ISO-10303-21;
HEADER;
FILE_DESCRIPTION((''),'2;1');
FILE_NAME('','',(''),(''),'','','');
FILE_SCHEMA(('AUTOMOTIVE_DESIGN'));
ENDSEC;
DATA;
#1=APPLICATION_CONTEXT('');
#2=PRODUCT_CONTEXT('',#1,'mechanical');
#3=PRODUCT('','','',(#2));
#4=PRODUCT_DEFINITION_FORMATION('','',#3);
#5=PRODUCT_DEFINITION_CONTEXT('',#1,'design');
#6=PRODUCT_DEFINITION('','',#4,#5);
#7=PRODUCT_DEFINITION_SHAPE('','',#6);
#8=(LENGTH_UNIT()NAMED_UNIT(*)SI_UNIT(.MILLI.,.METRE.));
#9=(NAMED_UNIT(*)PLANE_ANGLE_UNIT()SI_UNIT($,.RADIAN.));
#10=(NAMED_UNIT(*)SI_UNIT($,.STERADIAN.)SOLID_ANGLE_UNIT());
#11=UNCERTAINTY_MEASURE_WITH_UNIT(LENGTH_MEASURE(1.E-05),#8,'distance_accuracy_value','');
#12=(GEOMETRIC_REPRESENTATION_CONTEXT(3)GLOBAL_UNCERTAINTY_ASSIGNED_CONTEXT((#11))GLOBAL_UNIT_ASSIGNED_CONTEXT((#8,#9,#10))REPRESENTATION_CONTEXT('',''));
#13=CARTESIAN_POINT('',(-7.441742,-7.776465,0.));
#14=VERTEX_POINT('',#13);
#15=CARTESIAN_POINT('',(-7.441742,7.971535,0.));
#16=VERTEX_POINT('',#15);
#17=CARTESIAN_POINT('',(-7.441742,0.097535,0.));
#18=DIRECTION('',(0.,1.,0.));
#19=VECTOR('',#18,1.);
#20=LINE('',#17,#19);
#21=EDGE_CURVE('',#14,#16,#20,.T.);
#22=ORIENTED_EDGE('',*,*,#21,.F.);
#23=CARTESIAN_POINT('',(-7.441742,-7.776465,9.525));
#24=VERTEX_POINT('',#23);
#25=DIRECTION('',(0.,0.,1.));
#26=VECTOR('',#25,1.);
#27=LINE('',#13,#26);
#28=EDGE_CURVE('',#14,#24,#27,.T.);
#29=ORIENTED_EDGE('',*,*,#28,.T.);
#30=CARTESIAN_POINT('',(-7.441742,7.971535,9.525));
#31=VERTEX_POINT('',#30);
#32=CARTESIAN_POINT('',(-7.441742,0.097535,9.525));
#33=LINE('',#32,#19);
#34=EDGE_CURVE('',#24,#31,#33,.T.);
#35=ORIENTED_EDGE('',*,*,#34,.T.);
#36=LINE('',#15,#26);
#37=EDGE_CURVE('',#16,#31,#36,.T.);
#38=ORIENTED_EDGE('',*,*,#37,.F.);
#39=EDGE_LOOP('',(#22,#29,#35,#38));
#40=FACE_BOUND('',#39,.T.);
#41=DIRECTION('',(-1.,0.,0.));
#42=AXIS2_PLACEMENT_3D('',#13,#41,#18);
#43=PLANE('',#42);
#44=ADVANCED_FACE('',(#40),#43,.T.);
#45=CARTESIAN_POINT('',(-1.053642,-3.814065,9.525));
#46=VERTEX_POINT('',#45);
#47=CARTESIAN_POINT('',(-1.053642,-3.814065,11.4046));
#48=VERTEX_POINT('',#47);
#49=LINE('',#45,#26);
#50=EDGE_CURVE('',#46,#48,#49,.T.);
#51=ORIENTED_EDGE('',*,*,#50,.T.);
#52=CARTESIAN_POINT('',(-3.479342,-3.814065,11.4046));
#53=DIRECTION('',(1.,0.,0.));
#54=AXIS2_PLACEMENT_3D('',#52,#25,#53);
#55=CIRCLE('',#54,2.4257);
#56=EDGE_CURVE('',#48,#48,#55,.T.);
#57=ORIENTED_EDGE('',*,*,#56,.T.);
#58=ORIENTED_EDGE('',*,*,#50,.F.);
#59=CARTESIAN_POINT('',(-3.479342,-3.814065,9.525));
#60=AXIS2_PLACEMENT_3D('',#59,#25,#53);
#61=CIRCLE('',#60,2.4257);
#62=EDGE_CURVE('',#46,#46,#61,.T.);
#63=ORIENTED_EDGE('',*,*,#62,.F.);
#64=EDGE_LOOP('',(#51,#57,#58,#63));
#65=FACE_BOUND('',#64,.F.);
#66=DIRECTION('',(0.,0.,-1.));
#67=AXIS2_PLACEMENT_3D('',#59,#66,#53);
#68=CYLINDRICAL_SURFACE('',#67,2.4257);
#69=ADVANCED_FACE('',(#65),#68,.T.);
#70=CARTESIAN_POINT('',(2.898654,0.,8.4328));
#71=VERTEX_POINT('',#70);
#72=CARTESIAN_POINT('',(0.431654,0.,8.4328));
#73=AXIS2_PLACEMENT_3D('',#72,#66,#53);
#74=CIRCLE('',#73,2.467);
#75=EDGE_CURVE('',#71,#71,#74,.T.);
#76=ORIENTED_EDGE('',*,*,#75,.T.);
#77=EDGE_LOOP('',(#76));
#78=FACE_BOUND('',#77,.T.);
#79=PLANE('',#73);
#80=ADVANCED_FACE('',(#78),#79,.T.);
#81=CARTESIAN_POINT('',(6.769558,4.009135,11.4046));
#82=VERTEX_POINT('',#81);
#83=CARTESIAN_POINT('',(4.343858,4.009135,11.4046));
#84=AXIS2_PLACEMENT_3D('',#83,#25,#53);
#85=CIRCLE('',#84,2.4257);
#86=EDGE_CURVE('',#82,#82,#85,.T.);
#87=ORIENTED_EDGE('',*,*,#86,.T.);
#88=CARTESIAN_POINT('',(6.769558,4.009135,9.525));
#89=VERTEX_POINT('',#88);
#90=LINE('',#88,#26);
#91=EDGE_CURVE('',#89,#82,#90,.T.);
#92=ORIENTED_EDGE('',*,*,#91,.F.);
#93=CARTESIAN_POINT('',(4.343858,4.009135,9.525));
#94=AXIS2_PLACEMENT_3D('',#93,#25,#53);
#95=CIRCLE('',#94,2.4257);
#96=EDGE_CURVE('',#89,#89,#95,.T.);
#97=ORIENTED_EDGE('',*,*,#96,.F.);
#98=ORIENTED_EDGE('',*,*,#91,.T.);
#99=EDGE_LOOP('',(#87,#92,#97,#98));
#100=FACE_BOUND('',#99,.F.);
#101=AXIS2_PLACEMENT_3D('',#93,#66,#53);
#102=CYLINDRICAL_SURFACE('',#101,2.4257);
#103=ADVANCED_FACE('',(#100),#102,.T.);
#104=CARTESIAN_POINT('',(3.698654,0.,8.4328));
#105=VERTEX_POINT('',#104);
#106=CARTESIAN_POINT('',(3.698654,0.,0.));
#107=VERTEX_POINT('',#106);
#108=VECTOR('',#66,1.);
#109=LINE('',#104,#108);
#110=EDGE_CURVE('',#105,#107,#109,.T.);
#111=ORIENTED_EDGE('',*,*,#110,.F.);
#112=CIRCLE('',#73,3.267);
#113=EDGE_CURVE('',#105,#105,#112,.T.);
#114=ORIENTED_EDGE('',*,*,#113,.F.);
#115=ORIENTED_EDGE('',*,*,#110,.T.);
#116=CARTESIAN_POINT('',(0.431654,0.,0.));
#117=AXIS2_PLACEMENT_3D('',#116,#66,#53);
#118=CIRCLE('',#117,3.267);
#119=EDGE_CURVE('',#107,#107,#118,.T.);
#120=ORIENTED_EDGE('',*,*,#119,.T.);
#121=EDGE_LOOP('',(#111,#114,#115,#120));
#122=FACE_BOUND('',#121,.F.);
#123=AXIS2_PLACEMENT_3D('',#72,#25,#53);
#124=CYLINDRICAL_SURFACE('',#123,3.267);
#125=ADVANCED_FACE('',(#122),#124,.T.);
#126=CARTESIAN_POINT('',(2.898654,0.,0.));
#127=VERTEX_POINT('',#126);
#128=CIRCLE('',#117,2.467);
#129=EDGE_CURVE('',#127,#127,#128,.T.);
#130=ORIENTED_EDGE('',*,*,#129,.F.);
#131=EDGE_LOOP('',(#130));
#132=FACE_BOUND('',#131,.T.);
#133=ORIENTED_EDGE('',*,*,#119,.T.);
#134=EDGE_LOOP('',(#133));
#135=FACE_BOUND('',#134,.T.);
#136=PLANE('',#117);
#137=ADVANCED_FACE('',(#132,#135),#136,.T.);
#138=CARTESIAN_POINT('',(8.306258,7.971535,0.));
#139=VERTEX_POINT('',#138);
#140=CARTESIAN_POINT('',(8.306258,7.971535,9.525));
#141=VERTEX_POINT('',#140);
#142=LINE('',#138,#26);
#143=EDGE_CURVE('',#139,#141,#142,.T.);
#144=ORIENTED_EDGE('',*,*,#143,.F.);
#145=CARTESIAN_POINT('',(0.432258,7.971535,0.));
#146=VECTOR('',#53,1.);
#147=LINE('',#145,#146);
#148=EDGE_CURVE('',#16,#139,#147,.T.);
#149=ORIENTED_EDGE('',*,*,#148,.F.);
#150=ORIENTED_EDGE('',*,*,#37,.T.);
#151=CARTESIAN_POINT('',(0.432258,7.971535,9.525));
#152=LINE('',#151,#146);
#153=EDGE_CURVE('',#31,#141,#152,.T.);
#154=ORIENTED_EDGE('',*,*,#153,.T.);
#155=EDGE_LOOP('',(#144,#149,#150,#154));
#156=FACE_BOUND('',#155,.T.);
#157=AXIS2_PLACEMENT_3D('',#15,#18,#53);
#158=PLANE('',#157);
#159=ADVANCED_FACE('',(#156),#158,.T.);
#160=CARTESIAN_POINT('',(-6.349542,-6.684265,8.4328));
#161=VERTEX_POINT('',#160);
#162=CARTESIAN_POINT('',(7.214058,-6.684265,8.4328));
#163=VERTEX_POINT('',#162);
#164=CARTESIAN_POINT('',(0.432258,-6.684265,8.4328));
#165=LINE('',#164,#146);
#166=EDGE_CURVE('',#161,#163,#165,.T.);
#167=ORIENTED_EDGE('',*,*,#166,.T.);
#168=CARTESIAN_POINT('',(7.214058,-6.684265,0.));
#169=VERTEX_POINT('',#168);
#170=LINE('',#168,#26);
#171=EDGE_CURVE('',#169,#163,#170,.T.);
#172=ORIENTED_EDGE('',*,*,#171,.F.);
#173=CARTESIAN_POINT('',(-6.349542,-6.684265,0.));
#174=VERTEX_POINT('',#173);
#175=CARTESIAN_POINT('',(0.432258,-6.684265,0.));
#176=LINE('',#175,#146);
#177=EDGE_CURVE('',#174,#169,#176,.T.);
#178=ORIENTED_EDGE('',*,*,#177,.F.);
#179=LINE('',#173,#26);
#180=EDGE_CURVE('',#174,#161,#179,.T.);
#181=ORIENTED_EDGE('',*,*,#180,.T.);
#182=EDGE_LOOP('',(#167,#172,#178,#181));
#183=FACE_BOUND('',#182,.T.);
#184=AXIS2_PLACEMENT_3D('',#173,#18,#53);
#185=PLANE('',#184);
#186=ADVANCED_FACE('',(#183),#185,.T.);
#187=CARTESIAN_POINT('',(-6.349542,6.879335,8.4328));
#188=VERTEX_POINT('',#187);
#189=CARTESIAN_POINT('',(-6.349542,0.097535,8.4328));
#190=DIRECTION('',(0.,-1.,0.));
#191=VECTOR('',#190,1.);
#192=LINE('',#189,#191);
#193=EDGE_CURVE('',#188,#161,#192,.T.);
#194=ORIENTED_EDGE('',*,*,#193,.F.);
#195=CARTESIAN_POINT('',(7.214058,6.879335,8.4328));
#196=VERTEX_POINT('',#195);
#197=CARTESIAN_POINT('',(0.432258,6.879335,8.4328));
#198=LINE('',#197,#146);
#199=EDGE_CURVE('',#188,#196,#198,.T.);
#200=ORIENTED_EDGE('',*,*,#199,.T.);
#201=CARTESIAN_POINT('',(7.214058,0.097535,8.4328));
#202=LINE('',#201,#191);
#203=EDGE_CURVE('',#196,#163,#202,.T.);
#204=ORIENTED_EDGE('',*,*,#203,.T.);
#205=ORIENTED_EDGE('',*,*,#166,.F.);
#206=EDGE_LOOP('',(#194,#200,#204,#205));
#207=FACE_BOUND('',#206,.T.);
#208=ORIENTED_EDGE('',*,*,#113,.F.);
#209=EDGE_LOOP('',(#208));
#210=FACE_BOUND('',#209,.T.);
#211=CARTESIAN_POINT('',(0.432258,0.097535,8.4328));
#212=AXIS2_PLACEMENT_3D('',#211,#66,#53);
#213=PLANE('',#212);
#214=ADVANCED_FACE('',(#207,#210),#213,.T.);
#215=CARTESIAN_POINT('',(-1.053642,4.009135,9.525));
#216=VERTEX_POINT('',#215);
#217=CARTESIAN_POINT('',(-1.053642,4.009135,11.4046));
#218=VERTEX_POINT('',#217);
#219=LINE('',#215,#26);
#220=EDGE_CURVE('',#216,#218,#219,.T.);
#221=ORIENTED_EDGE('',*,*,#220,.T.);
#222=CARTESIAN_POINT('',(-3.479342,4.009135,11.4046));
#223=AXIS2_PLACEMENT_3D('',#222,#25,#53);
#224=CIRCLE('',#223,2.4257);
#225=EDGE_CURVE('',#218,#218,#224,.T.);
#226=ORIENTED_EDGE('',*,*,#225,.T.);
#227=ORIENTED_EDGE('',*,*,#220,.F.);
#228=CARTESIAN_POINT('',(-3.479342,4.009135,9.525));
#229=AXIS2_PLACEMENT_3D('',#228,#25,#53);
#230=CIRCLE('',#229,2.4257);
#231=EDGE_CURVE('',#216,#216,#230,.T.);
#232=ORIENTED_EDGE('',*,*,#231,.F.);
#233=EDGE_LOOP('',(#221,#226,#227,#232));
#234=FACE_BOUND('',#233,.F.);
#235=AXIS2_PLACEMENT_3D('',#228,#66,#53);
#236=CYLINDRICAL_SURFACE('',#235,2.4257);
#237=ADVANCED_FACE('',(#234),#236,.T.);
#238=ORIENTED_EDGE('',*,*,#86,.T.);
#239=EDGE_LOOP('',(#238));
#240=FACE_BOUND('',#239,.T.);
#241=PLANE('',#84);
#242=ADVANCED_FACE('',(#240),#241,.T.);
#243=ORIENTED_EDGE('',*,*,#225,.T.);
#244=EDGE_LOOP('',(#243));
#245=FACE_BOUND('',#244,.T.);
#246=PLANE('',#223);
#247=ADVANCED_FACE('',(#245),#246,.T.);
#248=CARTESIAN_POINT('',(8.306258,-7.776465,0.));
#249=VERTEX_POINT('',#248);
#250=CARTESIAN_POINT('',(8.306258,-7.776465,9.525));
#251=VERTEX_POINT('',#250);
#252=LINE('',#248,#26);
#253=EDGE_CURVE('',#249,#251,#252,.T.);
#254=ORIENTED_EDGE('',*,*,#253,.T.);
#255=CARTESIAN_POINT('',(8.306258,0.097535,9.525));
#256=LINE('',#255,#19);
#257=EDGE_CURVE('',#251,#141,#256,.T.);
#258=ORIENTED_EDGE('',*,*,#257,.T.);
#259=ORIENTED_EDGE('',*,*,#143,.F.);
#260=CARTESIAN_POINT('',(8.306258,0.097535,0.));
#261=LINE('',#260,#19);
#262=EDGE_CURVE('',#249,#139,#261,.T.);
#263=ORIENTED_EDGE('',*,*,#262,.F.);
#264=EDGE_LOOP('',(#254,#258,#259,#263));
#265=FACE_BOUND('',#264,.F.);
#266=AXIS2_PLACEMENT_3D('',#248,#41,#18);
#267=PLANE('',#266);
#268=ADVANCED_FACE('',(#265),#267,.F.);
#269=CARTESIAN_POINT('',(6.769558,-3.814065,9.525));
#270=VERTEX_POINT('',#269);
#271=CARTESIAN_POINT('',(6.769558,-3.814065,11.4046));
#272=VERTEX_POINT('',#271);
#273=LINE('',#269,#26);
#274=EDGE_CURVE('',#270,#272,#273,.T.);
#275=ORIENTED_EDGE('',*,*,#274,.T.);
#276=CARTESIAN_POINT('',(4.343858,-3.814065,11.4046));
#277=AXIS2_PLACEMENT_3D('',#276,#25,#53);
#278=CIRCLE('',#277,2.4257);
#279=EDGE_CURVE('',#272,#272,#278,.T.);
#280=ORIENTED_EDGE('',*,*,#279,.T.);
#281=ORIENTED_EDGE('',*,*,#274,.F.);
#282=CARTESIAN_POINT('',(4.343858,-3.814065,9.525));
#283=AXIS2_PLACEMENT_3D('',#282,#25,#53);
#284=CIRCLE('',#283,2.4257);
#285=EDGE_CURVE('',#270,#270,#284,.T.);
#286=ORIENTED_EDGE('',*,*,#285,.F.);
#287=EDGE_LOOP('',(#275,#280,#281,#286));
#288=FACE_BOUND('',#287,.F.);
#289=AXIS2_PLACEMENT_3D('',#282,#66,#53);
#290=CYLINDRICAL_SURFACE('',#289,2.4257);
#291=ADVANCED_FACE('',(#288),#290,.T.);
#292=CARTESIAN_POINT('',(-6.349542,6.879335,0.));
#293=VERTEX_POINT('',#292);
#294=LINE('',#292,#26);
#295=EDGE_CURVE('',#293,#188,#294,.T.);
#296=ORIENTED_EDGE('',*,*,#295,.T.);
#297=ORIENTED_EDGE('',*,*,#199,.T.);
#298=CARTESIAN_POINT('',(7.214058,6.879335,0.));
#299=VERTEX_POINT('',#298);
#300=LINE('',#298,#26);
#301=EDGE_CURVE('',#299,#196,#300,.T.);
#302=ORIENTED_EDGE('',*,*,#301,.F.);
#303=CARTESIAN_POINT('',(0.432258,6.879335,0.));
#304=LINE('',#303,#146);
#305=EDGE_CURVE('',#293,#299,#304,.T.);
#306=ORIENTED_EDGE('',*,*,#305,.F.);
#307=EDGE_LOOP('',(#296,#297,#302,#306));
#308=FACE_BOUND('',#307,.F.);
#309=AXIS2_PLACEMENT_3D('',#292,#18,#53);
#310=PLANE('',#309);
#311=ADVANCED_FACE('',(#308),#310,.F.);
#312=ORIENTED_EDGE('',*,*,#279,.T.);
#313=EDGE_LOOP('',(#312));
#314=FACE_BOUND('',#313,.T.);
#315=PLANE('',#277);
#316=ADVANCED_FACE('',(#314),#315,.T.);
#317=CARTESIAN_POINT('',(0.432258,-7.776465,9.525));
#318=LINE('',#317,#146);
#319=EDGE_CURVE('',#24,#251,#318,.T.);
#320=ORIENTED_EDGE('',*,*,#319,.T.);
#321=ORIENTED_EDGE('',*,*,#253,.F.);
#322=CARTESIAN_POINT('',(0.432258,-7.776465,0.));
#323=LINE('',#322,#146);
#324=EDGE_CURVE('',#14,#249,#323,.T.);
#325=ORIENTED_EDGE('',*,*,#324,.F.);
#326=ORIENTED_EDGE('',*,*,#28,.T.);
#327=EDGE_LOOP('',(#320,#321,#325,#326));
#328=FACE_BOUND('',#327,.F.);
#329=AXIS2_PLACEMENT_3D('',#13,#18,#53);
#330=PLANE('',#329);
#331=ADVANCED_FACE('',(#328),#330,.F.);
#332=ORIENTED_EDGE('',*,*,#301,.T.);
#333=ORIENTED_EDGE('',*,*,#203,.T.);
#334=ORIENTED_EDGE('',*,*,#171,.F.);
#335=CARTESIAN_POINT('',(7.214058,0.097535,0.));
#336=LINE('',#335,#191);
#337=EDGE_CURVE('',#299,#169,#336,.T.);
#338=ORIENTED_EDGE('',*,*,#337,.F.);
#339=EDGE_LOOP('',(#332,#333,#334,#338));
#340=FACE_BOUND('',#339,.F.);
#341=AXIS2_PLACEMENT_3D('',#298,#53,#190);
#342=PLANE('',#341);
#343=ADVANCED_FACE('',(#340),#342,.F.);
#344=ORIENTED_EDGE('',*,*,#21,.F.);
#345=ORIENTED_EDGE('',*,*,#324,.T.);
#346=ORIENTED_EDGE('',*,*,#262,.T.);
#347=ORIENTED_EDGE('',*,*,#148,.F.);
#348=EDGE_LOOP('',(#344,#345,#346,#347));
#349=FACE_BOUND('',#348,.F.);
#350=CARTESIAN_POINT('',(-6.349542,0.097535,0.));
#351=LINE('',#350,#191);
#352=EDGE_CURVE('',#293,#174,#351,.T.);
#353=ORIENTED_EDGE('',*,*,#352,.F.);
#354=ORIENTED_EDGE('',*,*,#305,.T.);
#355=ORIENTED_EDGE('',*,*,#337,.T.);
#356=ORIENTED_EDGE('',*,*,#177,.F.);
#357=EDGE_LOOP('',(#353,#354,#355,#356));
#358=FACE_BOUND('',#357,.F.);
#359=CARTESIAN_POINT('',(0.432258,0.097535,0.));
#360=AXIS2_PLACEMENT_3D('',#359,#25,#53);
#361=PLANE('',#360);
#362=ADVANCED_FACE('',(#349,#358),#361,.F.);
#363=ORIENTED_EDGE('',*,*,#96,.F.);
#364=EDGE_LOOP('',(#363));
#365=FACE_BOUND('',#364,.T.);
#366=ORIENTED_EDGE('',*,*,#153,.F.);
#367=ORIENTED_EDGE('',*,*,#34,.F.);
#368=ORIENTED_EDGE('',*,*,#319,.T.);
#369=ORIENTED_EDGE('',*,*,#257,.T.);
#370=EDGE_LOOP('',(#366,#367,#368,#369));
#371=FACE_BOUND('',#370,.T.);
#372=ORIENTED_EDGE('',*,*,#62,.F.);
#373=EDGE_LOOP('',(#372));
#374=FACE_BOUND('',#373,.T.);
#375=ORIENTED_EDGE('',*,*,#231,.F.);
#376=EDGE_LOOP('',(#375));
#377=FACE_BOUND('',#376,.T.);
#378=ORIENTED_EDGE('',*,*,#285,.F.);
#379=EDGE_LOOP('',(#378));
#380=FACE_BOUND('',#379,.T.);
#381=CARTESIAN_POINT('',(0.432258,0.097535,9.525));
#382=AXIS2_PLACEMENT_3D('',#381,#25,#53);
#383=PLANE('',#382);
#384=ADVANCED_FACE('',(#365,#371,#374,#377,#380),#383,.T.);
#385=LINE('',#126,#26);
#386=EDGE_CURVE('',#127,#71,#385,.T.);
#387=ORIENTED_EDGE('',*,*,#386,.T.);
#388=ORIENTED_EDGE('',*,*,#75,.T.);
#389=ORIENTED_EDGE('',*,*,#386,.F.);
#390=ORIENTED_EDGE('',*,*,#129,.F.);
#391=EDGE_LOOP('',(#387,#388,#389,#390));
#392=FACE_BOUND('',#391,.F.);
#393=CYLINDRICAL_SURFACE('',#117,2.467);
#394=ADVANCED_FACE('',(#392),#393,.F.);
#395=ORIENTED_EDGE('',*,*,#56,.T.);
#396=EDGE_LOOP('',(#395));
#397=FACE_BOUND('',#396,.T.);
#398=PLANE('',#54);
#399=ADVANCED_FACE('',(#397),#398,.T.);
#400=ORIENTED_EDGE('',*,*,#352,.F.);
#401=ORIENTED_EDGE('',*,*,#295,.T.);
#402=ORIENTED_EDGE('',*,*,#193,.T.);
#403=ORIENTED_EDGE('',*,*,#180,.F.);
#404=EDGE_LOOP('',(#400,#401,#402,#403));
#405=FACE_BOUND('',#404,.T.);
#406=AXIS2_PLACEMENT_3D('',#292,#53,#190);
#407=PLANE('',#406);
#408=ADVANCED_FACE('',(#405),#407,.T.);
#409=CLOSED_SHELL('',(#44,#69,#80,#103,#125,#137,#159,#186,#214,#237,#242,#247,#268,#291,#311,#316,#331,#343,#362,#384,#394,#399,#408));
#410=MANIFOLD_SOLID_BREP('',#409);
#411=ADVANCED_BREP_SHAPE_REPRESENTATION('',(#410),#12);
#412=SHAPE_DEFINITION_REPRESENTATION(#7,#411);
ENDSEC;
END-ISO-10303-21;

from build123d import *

# Parameters (mm, degrees)
F0_W     = 15.748
F0_H     = 15.748
F1_DEPTH = 9.525
F2_R     = 2.4257
F3_DEPTH = 1.8796
F4_W     = 13.5636
F4_H     = 13.5636
F5_DEPTH = 8.4328
F6_R     = 3.267
F7_DEPTH = 8.4328
F8_R     = 2.467
F9_DEPTH = 8.4328


with BuildPart() as f1:
    # F0 (on Top) → F1 (new body)
    with BuildSketch(Plane.XY):
        with Locations((0.432258, 0.097535)):
            Rectangle(F0_W, F0_H)
    extrude(amount=F1_DEPTH)

    # F2 (on face) → F3 (join)
    with BuildSketch(Plane.XY.offset(9.525)):
        with Locations((-3.479342, 4.009135)):
            Circle(F2_R)
        with Locations((4.343858, 4.009135)):
            Circle(F2_R)
        with Locations((-3.479342, -3.814065)):
            Circle(F2_R)
        with Locations((4.343858, -3.814065)):
            Circle(F2_R)
    extrude(amount=F3_DEPTH)

    # F4 (on face) → F5 (cut)
    with BuildSketch(Plane(origin=(0, 0, 0), x_dir=(1, 0, 0), z_dir=(0, 0, -1))):
        with Locations((0.432258, -0.097535)):
            Rectangle(F4_W, F4_H)
    extrude(amount=-F5_DEPTH, mode=Mode.SUBTRACT)

    # F6 (on face) → F7 (join)
    with BuildSketch(Plane(origin=(0, 0, 8.4328), x_dir=(1, 0, 0), z_dir=(0, 0, -1))):
        with Locations((0.431654, 0)):
            Circle(F6_R)
    extrude(amount=F7_DEPTH)

    # F8 (on face) → F9 (cut)
    with BuildSketch(Plane(origin=(0, 0, 0), x_dir=(1, 0, 0), z_dir=(0, 0, -1))):
        with Locations((0.431654, 0)):
            Circle(F8_R)
    extrude(amount=-F9_DEPTH, mode=Mode.SUBTRACT)


solid = f1.part
